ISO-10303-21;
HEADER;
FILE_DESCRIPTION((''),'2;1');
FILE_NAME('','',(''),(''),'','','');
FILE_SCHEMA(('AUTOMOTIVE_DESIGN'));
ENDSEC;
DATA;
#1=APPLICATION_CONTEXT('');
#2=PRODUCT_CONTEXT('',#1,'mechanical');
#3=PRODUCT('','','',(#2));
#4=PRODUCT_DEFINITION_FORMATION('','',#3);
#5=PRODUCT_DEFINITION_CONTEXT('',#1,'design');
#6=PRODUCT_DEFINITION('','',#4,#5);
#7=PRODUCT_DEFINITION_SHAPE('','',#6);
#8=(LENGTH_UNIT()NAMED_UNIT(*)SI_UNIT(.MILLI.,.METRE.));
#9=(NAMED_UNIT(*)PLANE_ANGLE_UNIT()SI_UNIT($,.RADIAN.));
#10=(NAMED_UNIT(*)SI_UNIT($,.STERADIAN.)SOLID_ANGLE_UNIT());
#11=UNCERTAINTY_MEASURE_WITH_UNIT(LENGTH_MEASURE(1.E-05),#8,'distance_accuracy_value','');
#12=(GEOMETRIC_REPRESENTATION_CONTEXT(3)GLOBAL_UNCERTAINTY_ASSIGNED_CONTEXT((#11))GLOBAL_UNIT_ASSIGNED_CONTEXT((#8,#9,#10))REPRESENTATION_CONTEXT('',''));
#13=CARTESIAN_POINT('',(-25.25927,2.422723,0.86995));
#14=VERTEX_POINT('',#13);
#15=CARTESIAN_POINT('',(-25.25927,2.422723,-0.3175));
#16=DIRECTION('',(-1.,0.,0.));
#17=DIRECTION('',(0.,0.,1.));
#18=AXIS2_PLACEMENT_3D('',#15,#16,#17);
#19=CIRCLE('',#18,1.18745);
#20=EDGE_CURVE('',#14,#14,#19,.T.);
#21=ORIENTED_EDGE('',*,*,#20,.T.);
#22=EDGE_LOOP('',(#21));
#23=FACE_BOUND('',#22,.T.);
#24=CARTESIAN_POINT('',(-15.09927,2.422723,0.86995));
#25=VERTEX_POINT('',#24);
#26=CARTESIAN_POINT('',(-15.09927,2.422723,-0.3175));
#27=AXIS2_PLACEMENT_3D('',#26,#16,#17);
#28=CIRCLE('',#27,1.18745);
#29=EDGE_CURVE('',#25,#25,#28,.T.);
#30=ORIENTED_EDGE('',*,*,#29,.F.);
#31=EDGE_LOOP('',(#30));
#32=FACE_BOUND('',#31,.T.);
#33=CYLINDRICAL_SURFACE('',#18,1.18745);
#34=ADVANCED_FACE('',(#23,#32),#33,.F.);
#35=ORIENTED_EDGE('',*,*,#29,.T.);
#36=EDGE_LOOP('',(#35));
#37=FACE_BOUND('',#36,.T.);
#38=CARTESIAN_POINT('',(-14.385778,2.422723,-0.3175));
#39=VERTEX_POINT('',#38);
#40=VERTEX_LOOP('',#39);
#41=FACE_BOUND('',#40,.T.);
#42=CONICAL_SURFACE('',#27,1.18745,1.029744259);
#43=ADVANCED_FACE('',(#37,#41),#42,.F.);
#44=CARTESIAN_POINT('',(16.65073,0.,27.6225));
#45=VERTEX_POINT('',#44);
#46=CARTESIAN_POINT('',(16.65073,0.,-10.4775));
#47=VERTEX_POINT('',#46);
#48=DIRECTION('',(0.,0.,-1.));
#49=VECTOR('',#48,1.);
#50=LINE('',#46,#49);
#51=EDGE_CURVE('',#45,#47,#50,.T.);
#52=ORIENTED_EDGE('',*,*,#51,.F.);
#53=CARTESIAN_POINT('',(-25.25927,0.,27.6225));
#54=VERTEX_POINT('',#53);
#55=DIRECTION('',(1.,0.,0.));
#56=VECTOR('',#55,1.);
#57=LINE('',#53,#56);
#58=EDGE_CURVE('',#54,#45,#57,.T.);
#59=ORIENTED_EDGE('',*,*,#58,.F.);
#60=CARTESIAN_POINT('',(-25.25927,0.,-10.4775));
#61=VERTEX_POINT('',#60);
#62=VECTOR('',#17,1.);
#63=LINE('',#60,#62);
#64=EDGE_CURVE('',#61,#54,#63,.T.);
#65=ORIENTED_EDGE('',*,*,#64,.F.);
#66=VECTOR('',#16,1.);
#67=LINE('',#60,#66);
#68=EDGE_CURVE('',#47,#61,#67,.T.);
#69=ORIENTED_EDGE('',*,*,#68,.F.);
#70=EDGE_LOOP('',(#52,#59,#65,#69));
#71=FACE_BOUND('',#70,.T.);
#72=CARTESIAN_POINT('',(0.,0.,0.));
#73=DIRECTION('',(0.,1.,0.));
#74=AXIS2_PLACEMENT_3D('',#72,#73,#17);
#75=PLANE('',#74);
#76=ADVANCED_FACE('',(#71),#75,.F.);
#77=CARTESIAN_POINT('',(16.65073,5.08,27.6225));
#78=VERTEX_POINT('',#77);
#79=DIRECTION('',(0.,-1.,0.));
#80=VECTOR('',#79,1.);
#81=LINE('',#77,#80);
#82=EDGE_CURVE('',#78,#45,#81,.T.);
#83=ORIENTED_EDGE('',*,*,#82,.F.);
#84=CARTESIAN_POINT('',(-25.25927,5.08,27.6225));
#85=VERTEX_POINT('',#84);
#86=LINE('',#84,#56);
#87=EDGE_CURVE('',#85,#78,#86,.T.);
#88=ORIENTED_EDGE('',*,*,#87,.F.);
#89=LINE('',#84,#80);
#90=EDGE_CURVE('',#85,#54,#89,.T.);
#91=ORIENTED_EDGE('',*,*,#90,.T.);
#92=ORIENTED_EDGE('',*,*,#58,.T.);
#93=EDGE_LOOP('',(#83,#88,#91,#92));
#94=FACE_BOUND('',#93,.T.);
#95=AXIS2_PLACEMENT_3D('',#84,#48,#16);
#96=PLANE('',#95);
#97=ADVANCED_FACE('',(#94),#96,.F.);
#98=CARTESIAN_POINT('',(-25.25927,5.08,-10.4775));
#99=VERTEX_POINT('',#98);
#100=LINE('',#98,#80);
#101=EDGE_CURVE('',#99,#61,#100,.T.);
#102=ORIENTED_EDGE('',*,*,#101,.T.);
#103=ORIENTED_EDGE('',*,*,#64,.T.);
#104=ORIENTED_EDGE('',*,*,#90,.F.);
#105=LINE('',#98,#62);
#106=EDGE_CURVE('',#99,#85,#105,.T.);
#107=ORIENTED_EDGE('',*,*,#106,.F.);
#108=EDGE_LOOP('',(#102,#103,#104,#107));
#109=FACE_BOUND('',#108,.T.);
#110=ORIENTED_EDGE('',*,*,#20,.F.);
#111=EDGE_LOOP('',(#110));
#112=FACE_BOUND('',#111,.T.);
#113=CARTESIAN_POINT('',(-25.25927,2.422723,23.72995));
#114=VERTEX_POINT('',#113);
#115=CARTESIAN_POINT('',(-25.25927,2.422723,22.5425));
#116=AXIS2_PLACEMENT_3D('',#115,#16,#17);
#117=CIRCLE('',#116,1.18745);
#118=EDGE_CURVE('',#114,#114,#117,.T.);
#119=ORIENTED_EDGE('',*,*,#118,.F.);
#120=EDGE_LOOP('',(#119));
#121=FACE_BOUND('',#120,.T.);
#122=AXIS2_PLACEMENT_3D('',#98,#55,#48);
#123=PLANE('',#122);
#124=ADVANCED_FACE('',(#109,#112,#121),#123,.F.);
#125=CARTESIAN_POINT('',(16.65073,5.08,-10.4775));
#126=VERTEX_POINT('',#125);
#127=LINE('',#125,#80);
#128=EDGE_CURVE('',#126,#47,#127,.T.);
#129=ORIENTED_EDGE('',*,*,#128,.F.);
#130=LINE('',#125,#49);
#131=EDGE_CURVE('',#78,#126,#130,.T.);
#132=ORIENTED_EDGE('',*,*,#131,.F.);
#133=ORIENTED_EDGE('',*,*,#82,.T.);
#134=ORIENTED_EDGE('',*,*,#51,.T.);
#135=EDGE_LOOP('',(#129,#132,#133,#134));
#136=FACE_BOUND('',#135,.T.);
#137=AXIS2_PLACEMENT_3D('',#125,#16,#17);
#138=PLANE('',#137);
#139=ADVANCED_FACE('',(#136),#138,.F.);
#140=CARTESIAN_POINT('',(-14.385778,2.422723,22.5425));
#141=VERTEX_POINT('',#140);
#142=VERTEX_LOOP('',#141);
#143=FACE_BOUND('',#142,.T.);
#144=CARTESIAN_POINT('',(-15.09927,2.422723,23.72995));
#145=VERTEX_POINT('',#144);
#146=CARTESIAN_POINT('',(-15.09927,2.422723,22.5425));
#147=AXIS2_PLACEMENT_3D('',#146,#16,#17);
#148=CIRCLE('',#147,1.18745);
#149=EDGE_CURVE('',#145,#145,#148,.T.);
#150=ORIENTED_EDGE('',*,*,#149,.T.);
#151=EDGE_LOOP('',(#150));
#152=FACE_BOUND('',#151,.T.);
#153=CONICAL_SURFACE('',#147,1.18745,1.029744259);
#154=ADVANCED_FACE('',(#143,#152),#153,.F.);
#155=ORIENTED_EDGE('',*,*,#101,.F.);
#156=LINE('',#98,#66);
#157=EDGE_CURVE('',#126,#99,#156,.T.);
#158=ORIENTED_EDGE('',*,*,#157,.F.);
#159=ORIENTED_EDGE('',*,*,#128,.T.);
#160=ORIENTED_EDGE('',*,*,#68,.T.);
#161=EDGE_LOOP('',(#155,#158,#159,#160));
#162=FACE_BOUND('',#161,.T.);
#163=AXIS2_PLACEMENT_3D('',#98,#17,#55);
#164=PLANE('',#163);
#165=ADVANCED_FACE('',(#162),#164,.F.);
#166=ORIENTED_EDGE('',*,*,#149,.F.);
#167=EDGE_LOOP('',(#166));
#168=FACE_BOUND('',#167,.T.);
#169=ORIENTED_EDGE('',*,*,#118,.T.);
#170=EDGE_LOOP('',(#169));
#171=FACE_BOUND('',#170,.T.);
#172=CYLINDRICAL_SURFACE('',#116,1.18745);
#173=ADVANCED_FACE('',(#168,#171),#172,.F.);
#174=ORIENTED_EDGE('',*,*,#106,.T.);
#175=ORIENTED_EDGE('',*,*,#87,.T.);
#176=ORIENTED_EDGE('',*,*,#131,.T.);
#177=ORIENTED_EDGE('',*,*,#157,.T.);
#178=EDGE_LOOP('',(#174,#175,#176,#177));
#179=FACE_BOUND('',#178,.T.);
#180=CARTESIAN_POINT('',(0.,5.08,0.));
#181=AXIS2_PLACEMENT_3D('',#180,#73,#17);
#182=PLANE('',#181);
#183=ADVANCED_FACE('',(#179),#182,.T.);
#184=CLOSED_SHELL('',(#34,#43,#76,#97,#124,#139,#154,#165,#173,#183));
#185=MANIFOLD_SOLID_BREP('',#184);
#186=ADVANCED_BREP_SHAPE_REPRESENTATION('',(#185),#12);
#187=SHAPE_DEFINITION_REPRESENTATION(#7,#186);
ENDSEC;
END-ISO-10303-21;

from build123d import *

# Parameters (mm, degrees)
SKETCH1_W                     = 41.91
SKETCH1_H                     = 38.1
BOSS_EXTRUDE1_DEPTH           = 5.08
TAP_DRILL_FOR_4_48_TAP1_D     = 2.3749
TAP_DRILL_FOR_4_48_TAP1_DEPTH = 10.16
TAP_DRILL_FOR_4_48_TAP1_TIP   = 0.713491942


with BuildPart() as part:
    # Sketch1 → Boss-Extrude1 (new body)
    with BuildSketch(Plane(origin=(0, 0, 0), x_dir=(1, 0, 0), z_dir=(0, 1, 0))):
        with Locations((-4.30427027, -8.5725)):
            Rectangle(SKETCH1_W, SKETCH1_H)
    extrude(amount=BOSS_EXTRUDE1_DEPTH)

    # Tap Drill for #4-48 Tap1
    with Locations(Plane.ZY.offset(25.25927027)):
        with Locations((-0.3175, 2.422722957), (22.5425, 2.422722957)):
            Hole(TAP_DRILL_FOR_4_48_TAP1_D / 2, depth=TAP_DRILL_FOR_4_48_TAP1_DEPTH)
            with Locations((0, 0, -(TAP_DRILL_FOR_4_48_TAP1_DEPTH + TAP_DRILL_FOR_4_48_TAP1_TIP / 2))):  # 118° drill point
                Cone(0, TAP_DRILL_FOR_4_48_TAP1_D / 2, TAP_DRILL_FOR_4_48_TAP1_TIP, mode=Mode.SUBTRACT)


solid = part.part
